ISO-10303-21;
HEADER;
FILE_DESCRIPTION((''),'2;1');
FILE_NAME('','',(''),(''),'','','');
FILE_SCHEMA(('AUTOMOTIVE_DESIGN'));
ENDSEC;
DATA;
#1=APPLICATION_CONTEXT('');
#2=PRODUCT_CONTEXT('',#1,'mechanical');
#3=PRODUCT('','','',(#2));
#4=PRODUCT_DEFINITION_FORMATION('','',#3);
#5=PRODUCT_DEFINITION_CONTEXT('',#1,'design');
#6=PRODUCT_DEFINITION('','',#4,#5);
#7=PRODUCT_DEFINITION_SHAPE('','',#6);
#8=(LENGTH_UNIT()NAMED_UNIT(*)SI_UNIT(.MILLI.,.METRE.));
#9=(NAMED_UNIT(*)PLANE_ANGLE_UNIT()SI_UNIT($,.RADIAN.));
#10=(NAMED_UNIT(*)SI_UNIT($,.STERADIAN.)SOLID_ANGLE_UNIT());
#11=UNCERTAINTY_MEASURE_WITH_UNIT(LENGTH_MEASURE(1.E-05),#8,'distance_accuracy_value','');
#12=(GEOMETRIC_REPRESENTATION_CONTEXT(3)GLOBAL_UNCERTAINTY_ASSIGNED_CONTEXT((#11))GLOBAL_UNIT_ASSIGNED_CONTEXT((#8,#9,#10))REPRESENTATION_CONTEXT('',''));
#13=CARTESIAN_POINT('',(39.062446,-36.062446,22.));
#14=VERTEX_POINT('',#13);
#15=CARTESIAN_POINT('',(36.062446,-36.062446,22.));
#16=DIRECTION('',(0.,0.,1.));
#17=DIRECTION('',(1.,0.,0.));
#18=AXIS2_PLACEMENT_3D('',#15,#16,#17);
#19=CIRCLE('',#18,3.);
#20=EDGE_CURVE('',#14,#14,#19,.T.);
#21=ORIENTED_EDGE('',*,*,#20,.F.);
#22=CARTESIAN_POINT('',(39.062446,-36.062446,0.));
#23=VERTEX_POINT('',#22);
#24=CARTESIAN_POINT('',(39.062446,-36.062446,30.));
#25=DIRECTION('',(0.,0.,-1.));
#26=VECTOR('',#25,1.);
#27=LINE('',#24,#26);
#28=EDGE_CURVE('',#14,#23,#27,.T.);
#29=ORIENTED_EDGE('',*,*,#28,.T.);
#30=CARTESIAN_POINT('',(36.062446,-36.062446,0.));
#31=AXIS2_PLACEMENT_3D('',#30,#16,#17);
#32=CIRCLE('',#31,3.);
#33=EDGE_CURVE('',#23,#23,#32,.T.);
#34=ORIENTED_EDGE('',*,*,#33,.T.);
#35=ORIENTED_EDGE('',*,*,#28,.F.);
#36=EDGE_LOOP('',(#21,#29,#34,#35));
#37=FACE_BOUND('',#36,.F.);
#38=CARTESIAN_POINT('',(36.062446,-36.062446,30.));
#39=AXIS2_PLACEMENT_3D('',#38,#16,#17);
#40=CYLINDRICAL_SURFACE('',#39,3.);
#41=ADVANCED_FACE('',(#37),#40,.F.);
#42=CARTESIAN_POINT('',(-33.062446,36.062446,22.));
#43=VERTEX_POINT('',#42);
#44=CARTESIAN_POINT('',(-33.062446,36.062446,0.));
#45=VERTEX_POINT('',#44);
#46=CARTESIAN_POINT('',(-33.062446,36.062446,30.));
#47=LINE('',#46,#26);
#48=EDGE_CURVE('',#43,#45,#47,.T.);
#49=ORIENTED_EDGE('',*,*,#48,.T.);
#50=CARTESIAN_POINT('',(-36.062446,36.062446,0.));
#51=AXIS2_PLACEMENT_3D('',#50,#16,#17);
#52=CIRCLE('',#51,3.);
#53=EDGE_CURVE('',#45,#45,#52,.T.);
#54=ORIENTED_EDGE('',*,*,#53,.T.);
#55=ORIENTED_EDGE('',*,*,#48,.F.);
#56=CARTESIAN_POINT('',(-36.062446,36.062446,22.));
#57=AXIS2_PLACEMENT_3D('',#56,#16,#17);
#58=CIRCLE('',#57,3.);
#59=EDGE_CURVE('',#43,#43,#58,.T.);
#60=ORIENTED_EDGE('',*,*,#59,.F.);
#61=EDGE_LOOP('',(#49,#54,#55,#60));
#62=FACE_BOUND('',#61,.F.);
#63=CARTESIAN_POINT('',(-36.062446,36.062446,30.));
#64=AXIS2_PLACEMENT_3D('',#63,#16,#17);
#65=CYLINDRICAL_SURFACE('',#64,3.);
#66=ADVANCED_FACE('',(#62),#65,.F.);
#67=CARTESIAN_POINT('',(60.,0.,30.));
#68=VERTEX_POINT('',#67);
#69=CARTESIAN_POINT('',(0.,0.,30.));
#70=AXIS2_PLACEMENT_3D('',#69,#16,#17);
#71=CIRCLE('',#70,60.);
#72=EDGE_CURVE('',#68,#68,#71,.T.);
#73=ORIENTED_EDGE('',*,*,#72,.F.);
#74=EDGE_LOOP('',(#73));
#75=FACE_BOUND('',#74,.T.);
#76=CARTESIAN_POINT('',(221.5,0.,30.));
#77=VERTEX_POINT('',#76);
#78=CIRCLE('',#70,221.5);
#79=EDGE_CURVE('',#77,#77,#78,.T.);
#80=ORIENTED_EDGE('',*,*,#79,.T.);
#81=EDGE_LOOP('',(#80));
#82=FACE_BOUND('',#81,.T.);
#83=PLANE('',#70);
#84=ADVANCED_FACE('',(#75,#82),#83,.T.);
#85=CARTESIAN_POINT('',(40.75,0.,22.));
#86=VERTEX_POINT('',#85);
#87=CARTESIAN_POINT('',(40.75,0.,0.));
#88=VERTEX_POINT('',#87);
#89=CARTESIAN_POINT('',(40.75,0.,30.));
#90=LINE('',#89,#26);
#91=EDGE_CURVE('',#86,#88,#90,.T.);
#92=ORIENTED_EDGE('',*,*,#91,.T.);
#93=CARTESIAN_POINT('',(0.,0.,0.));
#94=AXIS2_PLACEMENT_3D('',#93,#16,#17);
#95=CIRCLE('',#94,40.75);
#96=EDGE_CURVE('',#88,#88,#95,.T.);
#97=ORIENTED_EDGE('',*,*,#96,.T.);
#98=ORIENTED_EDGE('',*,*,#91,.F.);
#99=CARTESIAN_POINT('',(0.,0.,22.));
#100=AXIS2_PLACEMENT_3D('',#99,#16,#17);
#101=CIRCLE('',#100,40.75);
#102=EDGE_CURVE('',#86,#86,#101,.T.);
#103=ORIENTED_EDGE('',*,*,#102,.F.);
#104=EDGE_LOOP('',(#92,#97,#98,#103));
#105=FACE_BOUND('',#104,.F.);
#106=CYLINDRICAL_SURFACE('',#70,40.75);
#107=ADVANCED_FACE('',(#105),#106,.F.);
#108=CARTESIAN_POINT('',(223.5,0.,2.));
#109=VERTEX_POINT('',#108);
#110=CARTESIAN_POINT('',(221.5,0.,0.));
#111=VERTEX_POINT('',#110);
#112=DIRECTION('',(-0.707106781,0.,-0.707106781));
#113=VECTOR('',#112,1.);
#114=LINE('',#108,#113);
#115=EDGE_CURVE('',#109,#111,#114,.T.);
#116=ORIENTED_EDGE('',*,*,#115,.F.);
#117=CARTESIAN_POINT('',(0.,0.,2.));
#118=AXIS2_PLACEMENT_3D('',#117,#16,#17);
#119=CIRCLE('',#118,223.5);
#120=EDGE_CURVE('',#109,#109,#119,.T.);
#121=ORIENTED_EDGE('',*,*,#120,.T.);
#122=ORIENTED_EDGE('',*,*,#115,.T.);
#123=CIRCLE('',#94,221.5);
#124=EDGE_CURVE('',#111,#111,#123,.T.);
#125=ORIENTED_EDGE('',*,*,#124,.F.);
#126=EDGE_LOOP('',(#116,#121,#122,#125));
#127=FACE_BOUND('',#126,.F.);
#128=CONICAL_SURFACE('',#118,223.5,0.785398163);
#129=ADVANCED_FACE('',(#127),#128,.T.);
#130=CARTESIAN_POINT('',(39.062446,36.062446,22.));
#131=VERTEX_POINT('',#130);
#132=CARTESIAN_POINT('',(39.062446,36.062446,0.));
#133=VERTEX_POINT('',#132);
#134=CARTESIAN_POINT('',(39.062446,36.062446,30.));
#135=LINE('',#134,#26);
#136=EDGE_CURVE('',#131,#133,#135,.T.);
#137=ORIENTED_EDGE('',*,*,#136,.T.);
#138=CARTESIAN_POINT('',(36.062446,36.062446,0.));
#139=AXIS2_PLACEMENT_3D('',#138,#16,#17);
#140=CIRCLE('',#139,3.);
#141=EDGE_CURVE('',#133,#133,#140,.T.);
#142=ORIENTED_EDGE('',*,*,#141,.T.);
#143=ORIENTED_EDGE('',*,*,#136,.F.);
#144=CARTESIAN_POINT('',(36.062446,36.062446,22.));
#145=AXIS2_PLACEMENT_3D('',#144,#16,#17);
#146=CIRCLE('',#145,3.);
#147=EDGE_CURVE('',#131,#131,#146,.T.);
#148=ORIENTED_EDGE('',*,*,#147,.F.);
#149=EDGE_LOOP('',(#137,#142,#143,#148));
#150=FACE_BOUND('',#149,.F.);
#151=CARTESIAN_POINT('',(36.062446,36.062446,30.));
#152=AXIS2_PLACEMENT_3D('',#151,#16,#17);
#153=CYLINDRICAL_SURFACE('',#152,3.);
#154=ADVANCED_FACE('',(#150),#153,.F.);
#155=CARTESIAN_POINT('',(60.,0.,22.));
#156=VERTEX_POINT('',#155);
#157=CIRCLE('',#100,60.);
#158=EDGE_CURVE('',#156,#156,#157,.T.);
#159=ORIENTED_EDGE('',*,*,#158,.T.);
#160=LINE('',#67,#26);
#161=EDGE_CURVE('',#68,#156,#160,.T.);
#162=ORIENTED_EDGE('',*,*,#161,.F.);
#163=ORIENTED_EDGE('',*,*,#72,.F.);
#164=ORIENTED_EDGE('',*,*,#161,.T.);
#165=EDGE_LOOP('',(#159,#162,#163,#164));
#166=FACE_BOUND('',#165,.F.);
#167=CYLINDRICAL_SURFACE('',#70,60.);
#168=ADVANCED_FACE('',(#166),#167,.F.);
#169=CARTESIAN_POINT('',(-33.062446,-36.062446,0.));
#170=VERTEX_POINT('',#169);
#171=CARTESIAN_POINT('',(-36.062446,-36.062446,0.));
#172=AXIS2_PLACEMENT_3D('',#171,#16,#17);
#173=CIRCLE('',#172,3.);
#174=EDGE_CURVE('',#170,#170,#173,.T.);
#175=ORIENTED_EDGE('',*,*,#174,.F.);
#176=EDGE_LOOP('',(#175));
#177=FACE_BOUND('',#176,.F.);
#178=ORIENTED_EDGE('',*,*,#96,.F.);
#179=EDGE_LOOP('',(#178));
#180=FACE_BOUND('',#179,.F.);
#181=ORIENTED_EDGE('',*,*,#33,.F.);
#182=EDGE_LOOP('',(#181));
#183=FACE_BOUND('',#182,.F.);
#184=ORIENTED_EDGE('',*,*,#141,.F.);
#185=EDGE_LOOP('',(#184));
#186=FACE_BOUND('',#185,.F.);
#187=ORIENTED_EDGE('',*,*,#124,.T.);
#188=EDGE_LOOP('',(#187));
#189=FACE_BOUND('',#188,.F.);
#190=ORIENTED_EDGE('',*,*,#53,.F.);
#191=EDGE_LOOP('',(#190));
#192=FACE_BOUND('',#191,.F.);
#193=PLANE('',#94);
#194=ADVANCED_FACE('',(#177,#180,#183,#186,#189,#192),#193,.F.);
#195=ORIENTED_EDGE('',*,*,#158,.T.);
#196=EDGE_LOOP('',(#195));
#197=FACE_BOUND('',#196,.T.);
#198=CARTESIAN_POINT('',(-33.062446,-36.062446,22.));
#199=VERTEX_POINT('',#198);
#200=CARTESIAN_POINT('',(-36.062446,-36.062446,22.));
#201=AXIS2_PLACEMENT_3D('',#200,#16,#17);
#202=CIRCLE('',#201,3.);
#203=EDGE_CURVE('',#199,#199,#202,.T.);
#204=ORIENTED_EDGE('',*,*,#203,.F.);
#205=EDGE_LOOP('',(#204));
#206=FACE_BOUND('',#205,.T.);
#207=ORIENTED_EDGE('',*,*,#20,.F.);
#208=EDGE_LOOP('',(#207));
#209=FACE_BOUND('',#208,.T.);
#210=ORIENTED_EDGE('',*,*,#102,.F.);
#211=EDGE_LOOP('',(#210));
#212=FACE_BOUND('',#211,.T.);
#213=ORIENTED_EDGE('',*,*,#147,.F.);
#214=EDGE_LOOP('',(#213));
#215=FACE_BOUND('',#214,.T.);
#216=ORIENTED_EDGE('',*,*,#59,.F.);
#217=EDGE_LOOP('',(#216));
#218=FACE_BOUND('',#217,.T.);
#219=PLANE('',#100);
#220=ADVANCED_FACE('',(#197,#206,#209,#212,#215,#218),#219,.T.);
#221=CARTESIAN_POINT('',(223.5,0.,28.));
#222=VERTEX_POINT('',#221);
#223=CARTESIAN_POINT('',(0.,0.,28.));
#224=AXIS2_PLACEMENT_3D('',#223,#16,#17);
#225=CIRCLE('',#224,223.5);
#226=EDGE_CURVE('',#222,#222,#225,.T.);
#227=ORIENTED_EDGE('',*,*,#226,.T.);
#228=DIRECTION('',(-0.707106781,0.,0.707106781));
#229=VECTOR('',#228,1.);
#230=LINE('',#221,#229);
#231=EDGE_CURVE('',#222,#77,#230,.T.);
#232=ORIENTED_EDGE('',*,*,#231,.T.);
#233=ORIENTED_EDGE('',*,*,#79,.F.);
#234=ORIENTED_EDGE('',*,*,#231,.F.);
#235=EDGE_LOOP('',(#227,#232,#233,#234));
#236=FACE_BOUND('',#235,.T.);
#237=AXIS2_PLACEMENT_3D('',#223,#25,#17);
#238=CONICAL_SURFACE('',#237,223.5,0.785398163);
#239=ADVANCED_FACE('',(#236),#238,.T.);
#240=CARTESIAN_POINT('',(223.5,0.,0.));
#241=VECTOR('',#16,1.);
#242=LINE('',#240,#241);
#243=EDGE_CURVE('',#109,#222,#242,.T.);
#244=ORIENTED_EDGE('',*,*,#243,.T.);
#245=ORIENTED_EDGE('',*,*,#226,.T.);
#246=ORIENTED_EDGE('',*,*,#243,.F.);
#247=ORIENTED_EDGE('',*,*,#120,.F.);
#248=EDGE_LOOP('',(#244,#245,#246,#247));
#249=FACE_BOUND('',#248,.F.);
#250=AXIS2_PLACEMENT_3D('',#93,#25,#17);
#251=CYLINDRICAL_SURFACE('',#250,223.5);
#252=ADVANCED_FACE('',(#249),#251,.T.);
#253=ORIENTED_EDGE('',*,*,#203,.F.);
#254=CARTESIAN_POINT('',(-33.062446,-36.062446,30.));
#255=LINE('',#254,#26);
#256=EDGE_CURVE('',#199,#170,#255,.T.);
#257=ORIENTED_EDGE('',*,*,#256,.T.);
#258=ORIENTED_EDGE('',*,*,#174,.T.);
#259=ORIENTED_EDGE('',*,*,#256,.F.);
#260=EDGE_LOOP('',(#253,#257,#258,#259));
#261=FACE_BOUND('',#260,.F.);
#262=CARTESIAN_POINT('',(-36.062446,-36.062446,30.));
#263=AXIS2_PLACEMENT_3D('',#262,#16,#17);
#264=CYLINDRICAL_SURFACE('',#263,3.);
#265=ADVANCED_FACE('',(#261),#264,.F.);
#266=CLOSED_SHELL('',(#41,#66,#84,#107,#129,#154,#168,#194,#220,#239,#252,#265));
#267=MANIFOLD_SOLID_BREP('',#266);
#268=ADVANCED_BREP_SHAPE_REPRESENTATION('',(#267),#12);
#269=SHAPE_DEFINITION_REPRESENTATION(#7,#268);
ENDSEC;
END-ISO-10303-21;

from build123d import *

# Parameters (mm, degrees)
F0_R     = 223.5
F1_DEPTH = 30
F2_SIZE  = 2
F3_R     = 40.75
F4_DEPTH = 30
F3_R_2   = 60
F3_R_3   = 3
F5_DEPTH = 8
F6_DEPTH = 30.001


with BuildPart() as f1:
    # F0 (on Top) → F1 (new body)
    with BuildSketch(Plane.XY):
        Circle(F0_R)
    extrude(amount=F1_DEPTH)

    # F2
    f2_edges = [f1.edges().sort_by_distance(p)[0] for p in [
        (-223.5, 0, 30),
        (-223.5, 0, 0),
    ]]
    chamfer(f2_edges, length=F2_SIZE)

    # F3 (on face) → F4 (cut)
    with BuildSketch(Plane.XY.offset(30)):
        Circle(F3_R)
    extrude(amount=-F4_DEPTH, mode=Mode.SUBTRACT)

    # F3 (on face) → F5 (cut)
    with BuildSketch(Plane.XY.offset(30)):
        Circle(F3_R_2)
        with Locations((-36.062446, -36.062446)):
            Circle(F3_R_3, mode=Mode.SUBTRACT)
        Circle(F3_R, mode=Mode.SUBTRACT)
        with Locations((36.062446, -36.062446)):
            Circle(F3_R_3, mode=Mode.SUBTRACT)
        with Locations((-36.062446, 36.062446)):
            Circle(F3_R_3, mode=Mode.SUBTRACT)
        with Locations((36.062446, 36.062446)):
            Circle(F3_R_3, mode=Mode.SUBTRACT)
        with Locations((-36.062446, 36.062446)):
            Circle(F3_R_3)
        with Locations((36.062446, 36.062446)):
            Circle(F3_R_3)
        with Locations((36.062446, -36.062446)):
            Circle(F3_R_3)
        with Locations((-36.062446, -36.062446)):
            Circle(F3_R_3)
    extrude(amount=-F5_DEPTH, mode=Mode.SUBTRACT)

    # F3 (on face) → F6 (cut, through all)
    with BuildSketch(Plane.XY.offset(30)):
        with Locations((-36.062446, 36.062446)):
            Circle(F3_R_3)
        with Locations((36.062446, 36.062446)):
            Circle(F3_R_3)
        with Locations((36.062446, -36.062446)):
            Circle(F3_R_3)
        with Locations((-36.062446, -36.062446)):
            Circle(F3_R_3)
    extrude(amount=-F6_DEPTH, mode=Mode.SUBTRACT)


solid = f1.part
